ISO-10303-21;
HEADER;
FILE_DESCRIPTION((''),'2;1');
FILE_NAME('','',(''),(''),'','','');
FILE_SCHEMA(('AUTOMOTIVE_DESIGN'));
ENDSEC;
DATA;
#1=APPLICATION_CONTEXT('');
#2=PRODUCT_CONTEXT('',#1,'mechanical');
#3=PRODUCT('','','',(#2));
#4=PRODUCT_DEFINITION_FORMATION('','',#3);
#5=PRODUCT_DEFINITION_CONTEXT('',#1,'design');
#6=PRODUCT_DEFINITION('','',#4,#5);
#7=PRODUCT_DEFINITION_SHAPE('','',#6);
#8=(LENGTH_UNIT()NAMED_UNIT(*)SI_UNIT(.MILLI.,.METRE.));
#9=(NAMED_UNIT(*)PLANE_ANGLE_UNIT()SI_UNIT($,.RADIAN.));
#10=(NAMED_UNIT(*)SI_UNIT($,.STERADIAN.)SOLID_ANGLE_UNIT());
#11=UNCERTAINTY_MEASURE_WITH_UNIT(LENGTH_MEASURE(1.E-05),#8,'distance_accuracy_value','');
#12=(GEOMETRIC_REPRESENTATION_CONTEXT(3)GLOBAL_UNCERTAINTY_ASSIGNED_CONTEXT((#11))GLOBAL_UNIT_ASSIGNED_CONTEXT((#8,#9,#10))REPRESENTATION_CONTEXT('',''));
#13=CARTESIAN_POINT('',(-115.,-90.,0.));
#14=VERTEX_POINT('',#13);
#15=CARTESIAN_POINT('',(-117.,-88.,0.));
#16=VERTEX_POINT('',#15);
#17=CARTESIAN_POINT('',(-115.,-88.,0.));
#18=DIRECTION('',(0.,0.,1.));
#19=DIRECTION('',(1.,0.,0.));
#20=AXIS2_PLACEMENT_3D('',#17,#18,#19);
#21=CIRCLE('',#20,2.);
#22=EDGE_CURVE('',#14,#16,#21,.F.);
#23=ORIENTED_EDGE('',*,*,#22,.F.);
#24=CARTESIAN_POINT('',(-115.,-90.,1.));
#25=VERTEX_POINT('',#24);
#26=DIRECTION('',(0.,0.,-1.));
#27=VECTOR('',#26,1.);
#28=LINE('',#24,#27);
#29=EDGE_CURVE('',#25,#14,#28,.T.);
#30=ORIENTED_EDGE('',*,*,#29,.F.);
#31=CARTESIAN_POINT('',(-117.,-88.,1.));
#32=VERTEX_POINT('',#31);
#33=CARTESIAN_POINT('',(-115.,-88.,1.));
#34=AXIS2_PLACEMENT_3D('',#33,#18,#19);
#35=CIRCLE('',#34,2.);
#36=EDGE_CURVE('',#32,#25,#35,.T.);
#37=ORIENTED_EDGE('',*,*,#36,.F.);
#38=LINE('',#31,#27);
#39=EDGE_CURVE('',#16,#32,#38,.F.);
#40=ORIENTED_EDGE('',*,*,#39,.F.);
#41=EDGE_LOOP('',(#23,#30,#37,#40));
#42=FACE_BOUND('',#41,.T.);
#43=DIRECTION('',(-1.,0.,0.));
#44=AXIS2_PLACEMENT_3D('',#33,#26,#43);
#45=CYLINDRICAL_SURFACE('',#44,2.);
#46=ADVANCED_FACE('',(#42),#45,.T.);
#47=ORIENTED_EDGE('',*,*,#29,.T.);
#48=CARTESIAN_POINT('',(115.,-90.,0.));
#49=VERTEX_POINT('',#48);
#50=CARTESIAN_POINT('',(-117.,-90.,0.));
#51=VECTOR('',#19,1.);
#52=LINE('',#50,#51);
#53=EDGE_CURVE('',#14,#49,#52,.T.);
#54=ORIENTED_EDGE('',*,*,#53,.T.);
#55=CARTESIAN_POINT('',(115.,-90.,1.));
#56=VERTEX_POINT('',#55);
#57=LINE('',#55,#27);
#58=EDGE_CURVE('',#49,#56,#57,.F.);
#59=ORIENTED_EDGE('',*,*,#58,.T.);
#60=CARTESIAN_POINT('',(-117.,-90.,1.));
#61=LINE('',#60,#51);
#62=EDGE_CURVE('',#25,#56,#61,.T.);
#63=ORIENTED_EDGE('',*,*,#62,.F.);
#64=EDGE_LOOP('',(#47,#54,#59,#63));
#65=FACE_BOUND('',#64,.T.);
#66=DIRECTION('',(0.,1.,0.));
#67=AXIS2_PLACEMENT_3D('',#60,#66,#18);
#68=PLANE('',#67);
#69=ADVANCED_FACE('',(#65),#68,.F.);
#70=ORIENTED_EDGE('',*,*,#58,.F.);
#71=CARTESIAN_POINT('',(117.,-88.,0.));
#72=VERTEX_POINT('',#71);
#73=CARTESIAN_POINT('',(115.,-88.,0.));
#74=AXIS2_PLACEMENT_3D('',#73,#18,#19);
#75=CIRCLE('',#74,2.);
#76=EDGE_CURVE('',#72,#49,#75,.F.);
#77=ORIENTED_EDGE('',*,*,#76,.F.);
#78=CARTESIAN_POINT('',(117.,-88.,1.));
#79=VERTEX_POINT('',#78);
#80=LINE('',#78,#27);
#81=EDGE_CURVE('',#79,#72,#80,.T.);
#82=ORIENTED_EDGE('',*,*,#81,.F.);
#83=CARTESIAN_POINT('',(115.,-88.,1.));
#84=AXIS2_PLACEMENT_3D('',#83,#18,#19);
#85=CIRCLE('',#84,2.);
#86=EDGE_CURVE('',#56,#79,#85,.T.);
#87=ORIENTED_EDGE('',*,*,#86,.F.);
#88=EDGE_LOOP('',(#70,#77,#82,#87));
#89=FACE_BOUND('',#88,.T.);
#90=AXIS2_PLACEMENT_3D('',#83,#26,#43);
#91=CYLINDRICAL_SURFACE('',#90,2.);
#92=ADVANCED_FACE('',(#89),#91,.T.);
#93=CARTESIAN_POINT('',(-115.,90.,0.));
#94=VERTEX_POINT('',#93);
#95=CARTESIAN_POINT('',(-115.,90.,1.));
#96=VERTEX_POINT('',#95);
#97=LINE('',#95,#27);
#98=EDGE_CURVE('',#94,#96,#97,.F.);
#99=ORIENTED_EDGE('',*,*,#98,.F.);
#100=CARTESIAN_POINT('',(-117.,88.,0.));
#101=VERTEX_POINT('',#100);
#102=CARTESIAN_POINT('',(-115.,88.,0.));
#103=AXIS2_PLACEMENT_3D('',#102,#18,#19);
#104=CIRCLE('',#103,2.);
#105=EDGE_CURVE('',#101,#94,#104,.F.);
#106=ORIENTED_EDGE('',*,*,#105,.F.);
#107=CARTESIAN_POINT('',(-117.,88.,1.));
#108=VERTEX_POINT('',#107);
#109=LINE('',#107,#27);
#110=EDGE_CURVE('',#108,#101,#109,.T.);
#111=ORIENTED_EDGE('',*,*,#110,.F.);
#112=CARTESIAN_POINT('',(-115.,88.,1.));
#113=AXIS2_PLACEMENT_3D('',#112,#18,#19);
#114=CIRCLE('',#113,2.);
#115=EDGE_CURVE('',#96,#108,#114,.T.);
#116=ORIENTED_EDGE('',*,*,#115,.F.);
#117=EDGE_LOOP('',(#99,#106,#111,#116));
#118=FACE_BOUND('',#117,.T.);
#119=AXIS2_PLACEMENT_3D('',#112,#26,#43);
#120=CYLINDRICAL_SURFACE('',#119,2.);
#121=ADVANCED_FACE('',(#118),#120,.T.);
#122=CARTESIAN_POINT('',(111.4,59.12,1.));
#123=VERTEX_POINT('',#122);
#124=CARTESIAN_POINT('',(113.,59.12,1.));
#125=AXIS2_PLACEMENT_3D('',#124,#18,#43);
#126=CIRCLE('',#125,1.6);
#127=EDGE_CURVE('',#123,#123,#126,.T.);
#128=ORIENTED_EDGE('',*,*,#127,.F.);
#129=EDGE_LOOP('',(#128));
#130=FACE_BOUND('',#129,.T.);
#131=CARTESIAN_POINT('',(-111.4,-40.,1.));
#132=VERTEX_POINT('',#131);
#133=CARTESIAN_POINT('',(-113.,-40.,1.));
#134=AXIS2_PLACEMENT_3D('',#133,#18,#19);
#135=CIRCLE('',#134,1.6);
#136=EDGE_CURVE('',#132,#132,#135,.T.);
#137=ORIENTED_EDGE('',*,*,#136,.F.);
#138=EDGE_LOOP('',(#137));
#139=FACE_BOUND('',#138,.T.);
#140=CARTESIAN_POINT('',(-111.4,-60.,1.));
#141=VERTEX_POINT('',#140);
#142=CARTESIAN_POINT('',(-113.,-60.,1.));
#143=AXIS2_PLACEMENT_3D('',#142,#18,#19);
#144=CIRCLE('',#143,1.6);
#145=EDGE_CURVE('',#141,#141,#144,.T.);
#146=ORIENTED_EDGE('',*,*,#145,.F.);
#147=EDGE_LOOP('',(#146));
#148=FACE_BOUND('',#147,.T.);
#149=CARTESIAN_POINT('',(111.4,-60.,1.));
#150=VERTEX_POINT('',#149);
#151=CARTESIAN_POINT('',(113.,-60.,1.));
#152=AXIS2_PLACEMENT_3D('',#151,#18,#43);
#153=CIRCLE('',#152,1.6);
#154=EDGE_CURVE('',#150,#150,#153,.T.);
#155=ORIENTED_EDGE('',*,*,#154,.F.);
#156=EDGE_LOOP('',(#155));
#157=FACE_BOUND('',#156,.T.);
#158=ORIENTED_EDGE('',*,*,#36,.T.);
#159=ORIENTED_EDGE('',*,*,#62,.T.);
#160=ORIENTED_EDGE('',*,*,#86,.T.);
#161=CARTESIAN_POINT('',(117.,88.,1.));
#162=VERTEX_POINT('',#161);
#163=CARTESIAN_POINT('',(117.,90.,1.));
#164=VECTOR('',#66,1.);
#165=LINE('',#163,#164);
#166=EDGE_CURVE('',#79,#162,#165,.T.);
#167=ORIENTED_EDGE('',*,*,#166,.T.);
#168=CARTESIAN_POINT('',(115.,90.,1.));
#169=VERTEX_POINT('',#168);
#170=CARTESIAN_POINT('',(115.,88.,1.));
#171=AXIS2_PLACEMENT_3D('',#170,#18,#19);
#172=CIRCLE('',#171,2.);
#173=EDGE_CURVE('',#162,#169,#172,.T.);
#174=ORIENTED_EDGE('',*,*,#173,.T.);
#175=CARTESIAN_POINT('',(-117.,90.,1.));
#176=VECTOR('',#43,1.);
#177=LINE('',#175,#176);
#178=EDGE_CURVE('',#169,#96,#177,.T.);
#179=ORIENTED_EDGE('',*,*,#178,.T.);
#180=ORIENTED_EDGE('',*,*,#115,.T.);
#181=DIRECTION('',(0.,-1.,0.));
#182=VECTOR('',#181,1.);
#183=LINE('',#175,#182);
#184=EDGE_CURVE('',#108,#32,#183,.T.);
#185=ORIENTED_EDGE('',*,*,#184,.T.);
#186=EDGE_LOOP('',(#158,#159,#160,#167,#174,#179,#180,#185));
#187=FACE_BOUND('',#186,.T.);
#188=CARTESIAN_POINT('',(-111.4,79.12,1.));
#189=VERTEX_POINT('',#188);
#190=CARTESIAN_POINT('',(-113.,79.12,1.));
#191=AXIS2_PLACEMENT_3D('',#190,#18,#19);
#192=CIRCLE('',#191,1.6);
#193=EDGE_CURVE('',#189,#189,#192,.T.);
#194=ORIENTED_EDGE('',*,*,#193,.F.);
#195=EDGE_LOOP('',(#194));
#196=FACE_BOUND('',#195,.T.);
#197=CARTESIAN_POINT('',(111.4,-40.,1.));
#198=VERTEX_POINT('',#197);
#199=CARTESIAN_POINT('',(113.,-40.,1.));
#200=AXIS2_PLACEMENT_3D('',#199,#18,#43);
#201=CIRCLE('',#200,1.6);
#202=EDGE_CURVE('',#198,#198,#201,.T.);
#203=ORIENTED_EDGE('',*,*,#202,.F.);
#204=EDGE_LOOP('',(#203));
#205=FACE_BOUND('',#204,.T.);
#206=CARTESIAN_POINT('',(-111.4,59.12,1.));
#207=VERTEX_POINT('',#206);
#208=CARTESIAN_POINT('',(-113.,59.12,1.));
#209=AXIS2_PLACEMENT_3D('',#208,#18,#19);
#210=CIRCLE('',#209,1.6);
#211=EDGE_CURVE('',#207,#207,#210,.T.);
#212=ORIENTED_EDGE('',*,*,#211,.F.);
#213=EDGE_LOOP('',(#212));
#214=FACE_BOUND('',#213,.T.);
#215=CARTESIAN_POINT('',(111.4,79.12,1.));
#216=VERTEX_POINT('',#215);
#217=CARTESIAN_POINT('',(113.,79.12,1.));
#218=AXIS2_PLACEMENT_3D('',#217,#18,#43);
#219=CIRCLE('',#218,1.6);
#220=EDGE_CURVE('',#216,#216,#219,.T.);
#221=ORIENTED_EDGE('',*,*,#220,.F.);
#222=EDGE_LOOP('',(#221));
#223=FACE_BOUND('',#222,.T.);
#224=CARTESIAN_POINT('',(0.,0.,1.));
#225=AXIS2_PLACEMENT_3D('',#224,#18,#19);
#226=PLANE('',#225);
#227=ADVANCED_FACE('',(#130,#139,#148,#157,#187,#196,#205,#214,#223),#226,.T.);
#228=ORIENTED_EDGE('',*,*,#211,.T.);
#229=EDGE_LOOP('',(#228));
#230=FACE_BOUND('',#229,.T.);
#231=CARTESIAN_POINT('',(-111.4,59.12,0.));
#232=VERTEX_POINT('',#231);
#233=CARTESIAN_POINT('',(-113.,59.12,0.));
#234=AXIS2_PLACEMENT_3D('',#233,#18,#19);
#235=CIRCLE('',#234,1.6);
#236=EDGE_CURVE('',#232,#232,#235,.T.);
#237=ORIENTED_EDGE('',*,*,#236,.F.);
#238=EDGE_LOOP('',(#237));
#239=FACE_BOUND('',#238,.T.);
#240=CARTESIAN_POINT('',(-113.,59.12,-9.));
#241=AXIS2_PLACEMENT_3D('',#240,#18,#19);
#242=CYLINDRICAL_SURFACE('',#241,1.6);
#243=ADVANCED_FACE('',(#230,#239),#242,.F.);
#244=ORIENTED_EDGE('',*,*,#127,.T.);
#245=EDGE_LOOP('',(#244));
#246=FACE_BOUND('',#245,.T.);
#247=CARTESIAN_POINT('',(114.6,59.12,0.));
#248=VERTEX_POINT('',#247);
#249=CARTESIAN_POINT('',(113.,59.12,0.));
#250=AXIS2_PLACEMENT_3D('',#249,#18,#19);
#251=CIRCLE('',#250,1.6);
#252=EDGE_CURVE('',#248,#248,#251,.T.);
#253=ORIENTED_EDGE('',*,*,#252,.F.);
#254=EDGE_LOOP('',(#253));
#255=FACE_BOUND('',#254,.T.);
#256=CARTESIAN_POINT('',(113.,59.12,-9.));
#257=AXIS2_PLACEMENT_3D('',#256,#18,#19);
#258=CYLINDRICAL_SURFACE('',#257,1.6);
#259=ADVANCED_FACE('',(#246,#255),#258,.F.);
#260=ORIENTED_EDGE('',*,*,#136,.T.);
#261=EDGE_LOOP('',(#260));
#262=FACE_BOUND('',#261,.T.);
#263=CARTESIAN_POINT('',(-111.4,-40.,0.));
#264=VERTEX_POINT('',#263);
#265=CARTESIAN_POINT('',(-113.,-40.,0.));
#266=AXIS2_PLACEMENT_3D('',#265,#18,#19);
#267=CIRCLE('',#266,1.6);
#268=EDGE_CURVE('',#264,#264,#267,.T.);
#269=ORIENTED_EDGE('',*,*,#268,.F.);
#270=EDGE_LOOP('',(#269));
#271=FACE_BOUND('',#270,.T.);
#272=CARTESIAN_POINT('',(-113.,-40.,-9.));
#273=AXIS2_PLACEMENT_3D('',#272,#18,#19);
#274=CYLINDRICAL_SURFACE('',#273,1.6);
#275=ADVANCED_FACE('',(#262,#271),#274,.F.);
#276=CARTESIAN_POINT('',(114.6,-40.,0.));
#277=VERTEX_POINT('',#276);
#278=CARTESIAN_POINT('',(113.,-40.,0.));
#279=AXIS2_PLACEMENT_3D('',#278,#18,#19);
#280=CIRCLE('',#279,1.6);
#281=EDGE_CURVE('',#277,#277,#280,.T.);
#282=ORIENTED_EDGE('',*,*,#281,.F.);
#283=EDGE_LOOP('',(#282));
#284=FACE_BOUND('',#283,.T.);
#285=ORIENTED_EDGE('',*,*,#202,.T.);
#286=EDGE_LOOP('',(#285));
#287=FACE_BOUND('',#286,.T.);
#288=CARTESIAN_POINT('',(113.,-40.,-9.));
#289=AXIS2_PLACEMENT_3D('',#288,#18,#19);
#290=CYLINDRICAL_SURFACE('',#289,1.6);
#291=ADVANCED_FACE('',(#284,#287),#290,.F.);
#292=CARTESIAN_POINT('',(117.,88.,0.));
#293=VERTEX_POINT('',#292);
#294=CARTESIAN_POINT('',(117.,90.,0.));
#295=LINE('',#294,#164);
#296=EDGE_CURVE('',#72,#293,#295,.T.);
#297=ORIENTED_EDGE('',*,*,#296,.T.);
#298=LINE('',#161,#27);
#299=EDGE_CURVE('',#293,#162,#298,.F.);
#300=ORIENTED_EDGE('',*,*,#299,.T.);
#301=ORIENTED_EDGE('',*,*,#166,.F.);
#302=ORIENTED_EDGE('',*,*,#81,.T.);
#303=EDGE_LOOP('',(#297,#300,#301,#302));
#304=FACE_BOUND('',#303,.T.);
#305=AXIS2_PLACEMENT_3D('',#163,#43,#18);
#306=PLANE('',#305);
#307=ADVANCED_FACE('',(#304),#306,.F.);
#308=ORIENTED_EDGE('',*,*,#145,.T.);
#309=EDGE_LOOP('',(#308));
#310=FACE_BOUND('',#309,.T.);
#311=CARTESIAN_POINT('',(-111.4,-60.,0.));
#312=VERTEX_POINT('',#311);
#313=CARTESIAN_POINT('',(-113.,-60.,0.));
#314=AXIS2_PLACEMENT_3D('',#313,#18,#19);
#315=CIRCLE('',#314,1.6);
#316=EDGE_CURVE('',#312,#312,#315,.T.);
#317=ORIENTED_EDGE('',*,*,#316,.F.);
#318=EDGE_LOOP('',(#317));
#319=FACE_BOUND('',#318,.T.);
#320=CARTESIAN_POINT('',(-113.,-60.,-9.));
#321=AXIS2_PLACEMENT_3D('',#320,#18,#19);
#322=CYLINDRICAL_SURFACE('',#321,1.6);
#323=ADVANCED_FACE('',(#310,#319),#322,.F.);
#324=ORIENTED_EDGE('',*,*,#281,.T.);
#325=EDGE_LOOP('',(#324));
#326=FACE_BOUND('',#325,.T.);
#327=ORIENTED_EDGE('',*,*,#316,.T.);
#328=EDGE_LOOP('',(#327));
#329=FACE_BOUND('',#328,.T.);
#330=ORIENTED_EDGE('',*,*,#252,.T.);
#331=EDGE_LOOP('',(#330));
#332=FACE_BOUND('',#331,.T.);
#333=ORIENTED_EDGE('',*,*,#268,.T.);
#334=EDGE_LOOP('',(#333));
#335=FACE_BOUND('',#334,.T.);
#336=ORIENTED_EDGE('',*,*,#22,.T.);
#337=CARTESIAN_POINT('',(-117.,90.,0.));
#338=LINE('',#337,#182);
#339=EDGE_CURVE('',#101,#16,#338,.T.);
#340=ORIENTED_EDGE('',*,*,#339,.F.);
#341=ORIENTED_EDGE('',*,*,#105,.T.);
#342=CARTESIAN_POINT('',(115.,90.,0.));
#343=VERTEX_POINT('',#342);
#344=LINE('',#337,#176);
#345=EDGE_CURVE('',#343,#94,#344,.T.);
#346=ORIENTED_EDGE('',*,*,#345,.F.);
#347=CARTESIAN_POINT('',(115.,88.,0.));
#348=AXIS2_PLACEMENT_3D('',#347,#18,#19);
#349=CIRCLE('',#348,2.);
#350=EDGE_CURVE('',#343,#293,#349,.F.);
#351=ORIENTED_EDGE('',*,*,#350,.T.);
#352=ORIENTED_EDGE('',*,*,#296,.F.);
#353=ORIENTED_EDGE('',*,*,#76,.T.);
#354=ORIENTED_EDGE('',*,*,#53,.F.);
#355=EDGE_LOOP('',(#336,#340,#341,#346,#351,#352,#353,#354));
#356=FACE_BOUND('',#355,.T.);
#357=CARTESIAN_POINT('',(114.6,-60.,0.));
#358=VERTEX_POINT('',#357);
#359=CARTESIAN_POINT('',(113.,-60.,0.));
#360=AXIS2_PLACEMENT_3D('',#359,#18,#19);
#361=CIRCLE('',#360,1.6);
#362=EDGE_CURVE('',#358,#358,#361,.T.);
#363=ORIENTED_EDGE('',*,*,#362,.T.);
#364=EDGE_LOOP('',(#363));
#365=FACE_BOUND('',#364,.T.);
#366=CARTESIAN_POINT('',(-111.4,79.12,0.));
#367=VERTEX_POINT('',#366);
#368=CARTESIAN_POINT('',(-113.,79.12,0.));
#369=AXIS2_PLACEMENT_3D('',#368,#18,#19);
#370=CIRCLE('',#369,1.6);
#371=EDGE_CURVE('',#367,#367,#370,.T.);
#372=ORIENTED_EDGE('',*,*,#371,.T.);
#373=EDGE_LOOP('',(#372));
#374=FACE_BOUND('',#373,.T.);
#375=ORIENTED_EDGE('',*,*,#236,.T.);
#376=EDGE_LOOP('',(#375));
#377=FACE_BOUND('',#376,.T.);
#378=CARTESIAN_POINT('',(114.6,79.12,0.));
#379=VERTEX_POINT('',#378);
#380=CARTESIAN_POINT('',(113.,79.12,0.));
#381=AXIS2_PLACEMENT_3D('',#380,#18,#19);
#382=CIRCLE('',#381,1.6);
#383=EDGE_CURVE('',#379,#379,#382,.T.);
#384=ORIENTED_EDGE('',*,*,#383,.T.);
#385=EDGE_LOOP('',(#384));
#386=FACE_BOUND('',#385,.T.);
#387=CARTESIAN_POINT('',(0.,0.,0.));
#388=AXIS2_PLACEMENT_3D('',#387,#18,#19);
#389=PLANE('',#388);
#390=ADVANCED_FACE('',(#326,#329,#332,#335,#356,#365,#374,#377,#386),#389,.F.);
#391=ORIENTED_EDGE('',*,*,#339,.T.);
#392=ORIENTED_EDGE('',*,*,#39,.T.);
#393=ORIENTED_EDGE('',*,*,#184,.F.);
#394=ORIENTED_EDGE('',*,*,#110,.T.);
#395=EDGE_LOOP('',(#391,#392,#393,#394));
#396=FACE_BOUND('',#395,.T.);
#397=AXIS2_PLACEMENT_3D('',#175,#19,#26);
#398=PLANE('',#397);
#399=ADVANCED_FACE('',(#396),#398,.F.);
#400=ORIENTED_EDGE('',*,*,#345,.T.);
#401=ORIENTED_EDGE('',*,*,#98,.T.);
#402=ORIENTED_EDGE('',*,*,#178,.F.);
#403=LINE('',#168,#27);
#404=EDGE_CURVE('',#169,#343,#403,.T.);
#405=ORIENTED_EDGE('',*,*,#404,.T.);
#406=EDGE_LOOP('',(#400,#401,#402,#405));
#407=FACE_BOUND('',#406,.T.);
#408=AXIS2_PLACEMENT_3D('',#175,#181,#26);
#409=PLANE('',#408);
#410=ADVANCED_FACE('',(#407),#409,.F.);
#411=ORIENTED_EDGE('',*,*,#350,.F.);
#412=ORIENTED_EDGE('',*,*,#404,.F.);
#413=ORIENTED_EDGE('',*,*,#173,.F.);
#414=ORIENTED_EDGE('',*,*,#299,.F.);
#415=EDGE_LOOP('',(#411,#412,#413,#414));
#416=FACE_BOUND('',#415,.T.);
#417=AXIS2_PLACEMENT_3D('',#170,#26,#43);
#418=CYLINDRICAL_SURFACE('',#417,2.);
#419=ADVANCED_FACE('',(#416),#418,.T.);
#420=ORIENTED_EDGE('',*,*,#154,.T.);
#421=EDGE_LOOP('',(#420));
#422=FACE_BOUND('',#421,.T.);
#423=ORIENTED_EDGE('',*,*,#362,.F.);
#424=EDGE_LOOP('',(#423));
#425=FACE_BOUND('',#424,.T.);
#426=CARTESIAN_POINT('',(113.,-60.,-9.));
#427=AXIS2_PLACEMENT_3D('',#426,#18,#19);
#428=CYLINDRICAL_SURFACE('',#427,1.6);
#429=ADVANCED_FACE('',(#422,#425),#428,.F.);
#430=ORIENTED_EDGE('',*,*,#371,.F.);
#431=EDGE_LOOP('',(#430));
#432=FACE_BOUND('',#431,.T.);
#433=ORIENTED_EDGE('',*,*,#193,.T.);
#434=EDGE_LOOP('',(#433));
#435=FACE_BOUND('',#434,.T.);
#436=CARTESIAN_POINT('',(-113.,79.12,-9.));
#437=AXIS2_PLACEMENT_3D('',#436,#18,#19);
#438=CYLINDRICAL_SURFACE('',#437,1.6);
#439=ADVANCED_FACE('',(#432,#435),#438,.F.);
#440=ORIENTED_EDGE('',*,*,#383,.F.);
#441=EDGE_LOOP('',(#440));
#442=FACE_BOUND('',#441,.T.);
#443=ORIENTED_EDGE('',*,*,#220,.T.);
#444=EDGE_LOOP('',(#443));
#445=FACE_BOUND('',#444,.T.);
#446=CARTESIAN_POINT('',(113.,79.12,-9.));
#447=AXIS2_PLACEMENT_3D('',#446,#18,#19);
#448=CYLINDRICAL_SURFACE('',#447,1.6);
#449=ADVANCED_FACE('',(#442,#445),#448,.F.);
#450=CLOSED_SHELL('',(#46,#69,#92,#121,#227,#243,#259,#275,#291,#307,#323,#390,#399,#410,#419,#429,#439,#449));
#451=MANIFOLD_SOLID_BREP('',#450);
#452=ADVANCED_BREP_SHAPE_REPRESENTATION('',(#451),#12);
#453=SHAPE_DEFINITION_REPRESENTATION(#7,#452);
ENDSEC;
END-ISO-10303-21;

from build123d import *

# Parameters (mm, degrees)
SKETCH_1_W          = 234
SKETCH_1_H          = 180
EXTRUDE_1_DEPTH     = 1
SKETCH_2_R          = 1.6
CUT_EXTRUDE_1_DEPTH = 10
FILLET_1_R          = 2


with BuildPart() as part:
    # 草图1 → 凸台-拉伸1 (new body)
    with BuildSketch(Plane.XY):
        Rectangle(SKETCH_1_W, SKETCH_1_H)
    extrude(amount=EXTRUDE_1_DEPTH)

    # 草图2 → 切除-拉伸1 (cut)
    with BuildSketch(Plane.XY.offset(1)):
        with Locations((-113, -60)):
            Circle(SKETCH_2_R)
        with Locations((-113, -40)):
            Circle(SKETCH_2_R)
        with Locations((-113, 59.12)):
            Circle(SKETCH_2_R)
        with Locations((-113, 79.12)):
            Circle(SKETCH_2_R)
        with Locations((113, -60)):
            Circle(SKETCH_2_R)
        with Locations((113, -40)):
            Circle(SKETCH_2_R)
        with Locations((113, 59.12)):
            Circle(SKETCH_2_R)
        with Locations((113, 79.12)):
            Circle(SKETCH_2_R)
    extrude(amount=-CUT_EXTRUDE_1_DEPTH, mode=Mode.SUBTRACT)

    # 圆角1
    fillet_1_edges = [part.edges().sort_by_distance(p)[0] for p in [
        (117, -90, 0.5),
        (-117, -90, 0.5),
        (-117, 90, 0.5),
        (117, 90, 0.5),
    ]]
    fillet(fillet_1_edges, radius=FILLET_1_R)


solid = part.part
